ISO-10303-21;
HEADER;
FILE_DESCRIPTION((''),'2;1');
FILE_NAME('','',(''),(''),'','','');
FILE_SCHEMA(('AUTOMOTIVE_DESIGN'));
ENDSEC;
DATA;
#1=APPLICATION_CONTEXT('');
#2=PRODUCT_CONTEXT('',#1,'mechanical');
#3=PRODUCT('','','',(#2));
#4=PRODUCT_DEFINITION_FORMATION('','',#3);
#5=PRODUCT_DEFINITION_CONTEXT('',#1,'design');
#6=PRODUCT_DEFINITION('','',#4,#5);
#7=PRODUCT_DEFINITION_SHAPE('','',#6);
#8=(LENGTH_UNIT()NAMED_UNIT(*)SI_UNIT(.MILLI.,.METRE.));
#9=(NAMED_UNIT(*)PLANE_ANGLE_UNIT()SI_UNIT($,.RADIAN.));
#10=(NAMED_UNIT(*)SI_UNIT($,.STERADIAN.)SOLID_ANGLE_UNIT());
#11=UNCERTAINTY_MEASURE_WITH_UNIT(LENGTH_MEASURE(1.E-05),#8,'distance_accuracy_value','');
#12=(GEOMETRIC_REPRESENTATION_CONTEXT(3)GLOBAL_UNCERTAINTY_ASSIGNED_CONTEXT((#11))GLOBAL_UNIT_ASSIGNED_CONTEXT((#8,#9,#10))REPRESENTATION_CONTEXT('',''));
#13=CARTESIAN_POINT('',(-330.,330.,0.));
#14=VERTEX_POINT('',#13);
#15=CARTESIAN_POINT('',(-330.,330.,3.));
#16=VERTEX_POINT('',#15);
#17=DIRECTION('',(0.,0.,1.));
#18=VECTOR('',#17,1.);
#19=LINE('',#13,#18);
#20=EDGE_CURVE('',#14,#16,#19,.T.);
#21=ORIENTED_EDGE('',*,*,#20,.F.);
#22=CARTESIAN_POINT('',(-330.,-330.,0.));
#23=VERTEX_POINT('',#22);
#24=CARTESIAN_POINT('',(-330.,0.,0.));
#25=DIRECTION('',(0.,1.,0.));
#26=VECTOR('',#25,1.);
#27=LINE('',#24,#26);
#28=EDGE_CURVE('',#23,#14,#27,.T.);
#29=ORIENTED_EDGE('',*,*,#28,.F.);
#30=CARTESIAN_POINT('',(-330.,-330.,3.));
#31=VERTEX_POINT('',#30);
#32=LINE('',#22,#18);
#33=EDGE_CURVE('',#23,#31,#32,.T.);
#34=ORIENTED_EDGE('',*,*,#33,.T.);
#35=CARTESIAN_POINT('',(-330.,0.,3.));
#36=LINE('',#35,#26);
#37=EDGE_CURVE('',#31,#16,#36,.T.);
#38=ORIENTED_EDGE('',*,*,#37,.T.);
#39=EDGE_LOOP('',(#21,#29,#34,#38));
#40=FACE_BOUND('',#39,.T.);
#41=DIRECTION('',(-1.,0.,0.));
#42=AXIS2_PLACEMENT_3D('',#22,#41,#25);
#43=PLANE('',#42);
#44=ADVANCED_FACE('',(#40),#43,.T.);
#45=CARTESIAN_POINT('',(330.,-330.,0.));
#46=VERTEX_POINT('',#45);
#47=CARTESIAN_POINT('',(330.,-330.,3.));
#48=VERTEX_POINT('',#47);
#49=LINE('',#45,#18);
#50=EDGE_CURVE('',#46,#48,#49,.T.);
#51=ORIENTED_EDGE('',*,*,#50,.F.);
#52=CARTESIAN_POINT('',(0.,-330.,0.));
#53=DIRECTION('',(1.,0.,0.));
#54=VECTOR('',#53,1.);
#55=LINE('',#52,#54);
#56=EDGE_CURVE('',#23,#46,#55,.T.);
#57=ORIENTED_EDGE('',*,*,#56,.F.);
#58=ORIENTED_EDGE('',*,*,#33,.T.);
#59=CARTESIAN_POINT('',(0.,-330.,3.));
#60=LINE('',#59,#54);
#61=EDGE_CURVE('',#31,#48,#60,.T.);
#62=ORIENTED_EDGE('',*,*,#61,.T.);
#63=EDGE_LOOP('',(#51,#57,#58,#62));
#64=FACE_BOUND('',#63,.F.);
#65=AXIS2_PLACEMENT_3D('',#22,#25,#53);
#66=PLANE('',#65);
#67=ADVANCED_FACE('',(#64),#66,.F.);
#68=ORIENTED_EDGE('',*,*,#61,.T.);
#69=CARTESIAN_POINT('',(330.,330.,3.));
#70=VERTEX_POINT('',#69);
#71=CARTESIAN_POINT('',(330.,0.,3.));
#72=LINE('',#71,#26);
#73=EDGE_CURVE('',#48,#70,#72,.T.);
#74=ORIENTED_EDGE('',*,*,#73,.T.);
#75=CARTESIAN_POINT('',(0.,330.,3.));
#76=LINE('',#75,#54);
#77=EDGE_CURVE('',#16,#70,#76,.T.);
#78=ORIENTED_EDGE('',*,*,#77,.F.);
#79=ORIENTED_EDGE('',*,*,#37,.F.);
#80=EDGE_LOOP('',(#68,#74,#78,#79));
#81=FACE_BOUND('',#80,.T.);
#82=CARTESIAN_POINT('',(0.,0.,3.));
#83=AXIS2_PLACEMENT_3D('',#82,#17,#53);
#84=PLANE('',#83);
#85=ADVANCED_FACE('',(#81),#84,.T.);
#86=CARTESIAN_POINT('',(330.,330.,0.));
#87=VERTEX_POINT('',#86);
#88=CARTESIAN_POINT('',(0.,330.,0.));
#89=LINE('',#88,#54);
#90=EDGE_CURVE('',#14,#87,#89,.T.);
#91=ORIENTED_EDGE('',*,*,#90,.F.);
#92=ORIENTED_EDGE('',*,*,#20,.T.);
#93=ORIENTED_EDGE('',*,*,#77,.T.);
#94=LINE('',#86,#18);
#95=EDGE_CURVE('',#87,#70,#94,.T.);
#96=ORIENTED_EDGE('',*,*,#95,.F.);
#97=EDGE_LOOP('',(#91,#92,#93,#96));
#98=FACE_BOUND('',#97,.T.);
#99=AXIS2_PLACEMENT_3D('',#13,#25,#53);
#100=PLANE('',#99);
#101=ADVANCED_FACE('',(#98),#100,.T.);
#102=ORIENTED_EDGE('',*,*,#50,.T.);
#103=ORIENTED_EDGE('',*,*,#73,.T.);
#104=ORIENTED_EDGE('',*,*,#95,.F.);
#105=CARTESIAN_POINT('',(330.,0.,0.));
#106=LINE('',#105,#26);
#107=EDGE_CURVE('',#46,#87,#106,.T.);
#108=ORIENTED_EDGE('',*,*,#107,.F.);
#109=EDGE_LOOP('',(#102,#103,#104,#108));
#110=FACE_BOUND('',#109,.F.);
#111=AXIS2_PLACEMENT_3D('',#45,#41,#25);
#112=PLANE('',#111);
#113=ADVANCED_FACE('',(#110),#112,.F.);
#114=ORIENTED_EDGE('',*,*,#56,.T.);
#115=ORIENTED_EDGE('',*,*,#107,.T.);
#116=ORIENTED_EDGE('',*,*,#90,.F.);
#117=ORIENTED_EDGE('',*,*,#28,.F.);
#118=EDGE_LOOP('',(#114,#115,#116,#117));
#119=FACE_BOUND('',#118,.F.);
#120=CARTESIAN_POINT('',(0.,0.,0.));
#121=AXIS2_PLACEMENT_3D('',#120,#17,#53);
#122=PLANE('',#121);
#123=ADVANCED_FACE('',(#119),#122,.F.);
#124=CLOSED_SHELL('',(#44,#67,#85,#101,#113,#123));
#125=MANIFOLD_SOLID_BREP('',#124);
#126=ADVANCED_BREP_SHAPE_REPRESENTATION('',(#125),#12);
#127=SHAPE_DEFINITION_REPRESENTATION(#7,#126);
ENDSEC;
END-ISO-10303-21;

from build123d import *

# Parameters (mm, degrees)
F0_W     = 660
F0_H     = 660
F1_DEPTH = 3


with BuildPart() as f1:
    # F0 (on Top) → F1 (new body)
    with BuildSketch(Plane.XY):
        Rectangle(F0_W, F0_H)
        with BuildLine():
            ThreePointArc((250, -245), (248.535534, -248.535534), (245, -250))
            Line((245, -250), (-245, -250))
            ThreePointArc((-245, -250), (-248.535534, -248.535534), (-250, -245))
            Line((-250, -245), (-250, 245))
            ThreePointArc((-250, 245), (-248.535534, 248.535534), (-245, 250))
            Line((-245, 250), (245, 250))
            ThreePointArc((245, 250), (248.535534, 248.535534), (250, 245))
            Line((250, 245), (250, -245))
        make_face(mode=Mode.SUBTRACT)
        with BuildLine():
            Line((-245, -250), (245, -250))
            ThreePointArc((245, -250), (248.535534, -248.535534), (250, -245))
            Line((250, -245), (250, 245))
            ThreePointArc((250, 245), (248.535534, 248.535534), (245, 250))
            Line((245, 250), (-245, 250))
            ThreePointArc((-245, 250), (-248.535534, 248.535534), (-250, 245))
            Line((-250, 245), (-250, -245))
            ThreePointArc((-250, -245), (-248.535534, -248.535534), (-245, -250))
        make_face()
    extrude(amount=F1_DEPTH)


solid = f1.part
